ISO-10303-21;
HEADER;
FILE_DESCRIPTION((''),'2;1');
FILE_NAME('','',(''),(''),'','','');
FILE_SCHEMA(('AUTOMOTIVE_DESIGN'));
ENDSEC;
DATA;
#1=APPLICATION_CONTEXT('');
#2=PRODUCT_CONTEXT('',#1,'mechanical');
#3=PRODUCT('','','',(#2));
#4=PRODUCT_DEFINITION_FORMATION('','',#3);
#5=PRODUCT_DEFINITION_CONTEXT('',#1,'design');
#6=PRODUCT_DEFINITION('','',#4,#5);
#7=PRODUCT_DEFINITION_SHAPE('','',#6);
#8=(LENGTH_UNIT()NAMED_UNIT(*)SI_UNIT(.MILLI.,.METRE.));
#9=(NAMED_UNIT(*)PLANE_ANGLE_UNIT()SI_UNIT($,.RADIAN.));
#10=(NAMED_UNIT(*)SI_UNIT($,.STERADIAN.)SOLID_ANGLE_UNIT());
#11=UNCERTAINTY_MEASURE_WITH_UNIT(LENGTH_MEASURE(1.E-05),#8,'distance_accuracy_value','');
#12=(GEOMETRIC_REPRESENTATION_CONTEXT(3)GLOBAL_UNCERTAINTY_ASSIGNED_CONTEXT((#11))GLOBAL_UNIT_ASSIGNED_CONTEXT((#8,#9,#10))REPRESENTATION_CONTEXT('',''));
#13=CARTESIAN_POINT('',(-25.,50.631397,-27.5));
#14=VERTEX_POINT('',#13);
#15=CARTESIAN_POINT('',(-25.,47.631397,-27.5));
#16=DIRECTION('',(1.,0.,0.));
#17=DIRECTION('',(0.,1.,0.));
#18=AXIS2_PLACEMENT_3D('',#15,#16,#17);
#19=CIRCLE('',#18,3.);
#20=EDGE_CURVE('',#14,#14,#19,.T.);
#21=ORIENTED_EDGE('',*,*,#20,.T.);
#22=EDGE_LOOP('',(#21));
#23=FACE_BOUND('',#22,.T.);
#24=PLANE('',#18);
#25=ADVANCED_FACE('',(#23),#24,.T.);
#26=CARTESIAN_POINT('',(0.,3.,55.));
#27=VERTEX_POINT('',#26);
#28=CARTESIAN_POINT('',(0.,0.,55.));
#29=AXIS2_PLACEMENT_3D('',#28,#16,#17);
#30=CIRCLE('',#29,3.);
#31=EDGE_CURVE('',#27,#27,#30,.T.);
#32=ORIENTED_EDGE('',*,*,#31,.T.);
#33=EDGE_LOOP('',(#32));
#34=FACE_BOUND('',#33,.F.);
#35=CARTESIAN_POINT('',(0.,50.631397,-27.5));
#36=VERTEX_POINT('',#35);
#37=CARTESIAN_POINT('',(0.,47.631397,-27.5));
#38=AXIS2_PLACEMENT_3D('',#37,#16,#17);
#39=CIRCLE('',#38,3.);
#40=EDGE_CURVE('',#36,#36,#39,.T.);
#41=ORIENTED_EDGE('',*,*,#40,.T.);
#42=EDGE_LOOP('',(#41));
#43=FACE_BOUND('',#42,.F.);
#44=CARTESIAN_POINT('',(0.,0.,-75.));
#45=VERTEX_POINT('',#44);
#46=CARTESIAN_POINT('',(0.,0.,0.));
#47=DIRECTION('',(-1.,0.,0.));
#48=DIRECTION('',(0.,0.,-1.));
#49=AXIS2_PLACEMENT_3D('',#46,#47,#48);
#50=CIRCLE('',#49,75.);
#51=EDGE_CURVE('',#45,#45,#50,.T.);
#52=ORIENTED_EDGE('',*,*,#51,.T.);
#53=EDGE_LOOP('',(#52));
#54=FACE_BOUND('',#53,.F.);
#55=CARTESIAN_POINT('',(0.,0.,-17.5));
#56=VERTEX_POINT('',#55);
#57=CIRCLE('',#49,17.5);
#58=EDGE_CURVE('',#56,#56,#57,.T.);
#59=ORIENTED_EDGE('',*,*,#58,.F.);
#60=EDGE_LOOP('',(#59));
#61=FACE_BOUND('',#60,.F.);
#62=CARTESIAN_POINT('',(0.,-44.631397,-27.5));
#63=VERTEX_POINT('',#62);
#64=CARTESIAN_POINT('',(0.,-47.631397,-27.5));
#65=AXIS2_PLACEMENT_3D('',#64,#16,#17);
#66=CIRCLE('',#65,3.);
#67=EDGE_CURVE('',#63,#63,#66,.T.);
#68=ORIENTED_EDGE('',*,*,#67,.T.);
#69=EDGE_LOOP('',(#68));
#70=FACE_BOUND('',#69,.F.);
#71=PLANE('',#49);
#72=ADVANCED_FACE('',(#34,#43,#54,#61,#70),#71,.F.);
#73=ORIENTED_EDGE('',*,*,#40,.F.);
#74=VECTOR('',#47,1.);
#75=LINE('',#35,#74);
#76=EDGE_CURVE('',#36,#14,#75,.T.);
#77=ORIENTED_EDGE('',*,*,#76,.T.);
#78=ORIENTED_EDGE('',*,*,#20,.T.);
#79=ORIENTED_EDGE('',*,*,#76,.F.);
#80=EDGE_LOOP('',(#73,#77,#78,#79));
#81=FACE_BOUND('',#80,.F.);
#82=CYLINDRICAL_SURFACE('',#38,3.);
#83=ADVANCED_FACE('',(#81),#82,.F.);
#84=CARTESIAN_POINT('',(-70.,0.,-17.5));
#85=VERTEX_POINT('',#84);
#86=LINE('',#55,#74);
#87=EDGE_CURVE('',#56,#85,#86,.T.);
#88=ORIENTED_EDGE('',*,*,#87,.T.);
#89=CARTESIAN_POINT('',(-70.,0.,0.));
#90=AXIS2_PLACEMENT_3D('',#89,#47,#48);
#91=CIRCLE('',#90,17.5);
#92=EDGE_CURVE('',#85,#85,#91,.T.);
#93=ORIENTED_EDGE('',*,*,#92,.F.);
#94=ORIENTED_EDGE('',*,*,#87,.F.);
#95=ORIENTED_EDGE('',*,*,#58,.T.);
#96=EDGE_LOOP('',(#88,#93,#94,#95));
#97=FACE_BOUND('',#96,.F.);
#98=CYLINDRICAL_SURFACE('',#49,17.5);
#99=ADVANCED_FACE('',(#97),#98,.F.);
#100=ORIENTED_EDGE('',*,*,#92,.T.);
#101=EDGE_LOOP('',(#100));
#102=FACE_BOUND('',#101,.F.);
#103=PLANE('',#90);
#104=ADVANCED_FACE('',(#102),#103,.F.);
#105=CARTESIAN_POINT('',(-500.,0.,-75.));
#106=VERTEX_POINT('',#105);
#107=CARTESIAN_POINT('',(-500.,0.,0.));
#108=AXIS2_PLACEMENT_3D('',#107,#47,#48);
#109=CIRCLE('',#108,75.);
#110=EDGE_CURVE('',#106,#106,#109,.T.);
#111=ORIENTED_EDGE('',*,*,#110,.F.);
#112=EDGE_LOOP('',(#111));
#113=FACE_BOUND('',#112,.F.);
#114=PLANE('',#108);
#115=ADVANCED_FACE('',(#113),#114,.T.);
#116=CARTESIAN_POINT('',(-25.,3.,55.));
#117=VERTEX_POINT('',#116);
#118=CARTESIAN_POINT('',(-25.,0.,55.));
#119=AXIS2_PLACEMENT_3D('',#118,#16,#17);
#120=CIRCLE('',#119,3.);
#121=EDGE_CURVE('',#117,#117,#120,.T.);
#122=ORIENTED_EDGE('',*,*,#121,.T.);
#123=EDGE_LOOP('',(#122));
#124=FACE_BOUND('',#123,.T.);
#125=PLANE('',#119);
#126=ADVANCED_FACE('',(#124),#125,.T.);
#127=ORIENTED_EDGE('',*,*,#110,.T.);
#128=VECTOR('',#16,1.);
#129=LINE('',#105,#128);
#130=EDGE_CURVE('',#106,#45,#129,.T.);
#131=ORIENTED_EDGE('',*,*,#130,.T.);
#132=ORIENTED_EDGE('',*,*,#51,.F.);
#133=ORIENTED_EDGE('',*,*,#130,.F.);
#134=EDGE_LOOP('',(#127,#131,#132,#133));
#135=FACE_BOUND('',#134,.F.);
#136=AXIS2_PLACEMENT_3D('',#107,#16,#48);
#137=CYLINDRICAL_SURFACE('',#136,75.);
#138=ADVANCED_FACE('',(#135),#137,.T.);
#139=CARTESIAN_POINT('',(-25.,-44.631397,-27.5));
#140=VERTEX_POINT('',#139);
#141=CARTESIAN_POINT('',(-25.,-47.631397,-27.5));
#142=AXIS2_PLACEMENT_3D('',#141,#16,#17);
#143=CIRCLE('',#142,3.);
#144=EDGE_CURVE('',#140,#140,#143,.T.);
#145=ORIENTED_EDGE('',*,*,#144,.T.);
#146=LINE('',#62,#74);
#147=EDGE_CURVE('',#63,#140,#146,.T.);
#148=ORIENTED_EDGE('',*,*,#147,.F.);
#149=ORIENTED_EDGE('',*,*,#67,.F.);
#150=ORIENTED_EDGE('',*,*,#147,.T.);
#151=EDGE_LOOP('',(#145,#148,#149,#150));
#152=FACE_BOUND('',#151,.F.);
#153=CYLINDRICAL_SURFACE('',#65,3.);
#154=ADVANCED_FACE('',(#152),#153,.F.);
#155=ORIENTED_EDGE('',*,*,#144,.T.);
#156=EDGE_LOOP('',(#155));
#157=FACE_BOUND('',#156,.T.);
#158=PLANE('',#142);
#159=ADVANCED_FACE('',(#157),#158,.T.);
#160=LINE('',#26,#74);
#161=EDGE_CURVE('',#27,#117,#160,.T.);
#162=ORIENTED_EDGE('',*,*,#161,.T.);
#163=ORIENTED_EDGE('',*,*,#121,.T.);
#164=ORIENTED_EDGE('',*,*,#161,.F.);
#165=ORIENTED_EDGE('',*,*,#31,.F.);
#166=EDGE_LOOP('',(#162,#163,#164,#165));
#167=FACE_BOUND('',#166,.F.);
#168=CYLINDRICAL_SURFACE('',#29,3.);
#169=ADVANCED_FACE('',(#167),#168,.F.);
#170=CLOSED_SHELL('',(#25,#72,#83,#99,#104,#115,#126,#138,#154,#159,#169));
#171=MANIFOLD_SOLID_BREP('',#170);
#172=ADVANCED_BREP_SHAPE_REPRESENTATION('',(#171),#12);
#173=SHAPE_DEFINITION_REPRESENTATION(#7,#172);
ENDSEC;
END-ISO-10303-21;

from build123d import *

# Parameters (mm, degrees)
F2_R     = 3
F3_DEPTH = 25


with BuildPart() as f1:
    # F0 (on Front) → F1 (revolve)
    with BuildSketch(Plane.XZ):
        Polygon((-500, -75), (0, -75), (0, -17.5), (-70, -17.5), (-70, 0), (-500, 0), align=None)
    revolve(axis=Axis((-285, 0, 0), (-1, 0, 0)))

    # F2 (on Right) → F3 (cut)
    with BuildSketch(Plane.YZ):
        with Locations((0, 55)):
            Circle(F2_R)
        with Locations((-47.631397, -27.5)):
            Circle(F2_R)
        with Locations((47.631397, -27.5)):
            Circle(F2_R)
    extrude(amount=-F3_DEPTH, mode=Mode.SUBTRACT)


solid = f1.part
